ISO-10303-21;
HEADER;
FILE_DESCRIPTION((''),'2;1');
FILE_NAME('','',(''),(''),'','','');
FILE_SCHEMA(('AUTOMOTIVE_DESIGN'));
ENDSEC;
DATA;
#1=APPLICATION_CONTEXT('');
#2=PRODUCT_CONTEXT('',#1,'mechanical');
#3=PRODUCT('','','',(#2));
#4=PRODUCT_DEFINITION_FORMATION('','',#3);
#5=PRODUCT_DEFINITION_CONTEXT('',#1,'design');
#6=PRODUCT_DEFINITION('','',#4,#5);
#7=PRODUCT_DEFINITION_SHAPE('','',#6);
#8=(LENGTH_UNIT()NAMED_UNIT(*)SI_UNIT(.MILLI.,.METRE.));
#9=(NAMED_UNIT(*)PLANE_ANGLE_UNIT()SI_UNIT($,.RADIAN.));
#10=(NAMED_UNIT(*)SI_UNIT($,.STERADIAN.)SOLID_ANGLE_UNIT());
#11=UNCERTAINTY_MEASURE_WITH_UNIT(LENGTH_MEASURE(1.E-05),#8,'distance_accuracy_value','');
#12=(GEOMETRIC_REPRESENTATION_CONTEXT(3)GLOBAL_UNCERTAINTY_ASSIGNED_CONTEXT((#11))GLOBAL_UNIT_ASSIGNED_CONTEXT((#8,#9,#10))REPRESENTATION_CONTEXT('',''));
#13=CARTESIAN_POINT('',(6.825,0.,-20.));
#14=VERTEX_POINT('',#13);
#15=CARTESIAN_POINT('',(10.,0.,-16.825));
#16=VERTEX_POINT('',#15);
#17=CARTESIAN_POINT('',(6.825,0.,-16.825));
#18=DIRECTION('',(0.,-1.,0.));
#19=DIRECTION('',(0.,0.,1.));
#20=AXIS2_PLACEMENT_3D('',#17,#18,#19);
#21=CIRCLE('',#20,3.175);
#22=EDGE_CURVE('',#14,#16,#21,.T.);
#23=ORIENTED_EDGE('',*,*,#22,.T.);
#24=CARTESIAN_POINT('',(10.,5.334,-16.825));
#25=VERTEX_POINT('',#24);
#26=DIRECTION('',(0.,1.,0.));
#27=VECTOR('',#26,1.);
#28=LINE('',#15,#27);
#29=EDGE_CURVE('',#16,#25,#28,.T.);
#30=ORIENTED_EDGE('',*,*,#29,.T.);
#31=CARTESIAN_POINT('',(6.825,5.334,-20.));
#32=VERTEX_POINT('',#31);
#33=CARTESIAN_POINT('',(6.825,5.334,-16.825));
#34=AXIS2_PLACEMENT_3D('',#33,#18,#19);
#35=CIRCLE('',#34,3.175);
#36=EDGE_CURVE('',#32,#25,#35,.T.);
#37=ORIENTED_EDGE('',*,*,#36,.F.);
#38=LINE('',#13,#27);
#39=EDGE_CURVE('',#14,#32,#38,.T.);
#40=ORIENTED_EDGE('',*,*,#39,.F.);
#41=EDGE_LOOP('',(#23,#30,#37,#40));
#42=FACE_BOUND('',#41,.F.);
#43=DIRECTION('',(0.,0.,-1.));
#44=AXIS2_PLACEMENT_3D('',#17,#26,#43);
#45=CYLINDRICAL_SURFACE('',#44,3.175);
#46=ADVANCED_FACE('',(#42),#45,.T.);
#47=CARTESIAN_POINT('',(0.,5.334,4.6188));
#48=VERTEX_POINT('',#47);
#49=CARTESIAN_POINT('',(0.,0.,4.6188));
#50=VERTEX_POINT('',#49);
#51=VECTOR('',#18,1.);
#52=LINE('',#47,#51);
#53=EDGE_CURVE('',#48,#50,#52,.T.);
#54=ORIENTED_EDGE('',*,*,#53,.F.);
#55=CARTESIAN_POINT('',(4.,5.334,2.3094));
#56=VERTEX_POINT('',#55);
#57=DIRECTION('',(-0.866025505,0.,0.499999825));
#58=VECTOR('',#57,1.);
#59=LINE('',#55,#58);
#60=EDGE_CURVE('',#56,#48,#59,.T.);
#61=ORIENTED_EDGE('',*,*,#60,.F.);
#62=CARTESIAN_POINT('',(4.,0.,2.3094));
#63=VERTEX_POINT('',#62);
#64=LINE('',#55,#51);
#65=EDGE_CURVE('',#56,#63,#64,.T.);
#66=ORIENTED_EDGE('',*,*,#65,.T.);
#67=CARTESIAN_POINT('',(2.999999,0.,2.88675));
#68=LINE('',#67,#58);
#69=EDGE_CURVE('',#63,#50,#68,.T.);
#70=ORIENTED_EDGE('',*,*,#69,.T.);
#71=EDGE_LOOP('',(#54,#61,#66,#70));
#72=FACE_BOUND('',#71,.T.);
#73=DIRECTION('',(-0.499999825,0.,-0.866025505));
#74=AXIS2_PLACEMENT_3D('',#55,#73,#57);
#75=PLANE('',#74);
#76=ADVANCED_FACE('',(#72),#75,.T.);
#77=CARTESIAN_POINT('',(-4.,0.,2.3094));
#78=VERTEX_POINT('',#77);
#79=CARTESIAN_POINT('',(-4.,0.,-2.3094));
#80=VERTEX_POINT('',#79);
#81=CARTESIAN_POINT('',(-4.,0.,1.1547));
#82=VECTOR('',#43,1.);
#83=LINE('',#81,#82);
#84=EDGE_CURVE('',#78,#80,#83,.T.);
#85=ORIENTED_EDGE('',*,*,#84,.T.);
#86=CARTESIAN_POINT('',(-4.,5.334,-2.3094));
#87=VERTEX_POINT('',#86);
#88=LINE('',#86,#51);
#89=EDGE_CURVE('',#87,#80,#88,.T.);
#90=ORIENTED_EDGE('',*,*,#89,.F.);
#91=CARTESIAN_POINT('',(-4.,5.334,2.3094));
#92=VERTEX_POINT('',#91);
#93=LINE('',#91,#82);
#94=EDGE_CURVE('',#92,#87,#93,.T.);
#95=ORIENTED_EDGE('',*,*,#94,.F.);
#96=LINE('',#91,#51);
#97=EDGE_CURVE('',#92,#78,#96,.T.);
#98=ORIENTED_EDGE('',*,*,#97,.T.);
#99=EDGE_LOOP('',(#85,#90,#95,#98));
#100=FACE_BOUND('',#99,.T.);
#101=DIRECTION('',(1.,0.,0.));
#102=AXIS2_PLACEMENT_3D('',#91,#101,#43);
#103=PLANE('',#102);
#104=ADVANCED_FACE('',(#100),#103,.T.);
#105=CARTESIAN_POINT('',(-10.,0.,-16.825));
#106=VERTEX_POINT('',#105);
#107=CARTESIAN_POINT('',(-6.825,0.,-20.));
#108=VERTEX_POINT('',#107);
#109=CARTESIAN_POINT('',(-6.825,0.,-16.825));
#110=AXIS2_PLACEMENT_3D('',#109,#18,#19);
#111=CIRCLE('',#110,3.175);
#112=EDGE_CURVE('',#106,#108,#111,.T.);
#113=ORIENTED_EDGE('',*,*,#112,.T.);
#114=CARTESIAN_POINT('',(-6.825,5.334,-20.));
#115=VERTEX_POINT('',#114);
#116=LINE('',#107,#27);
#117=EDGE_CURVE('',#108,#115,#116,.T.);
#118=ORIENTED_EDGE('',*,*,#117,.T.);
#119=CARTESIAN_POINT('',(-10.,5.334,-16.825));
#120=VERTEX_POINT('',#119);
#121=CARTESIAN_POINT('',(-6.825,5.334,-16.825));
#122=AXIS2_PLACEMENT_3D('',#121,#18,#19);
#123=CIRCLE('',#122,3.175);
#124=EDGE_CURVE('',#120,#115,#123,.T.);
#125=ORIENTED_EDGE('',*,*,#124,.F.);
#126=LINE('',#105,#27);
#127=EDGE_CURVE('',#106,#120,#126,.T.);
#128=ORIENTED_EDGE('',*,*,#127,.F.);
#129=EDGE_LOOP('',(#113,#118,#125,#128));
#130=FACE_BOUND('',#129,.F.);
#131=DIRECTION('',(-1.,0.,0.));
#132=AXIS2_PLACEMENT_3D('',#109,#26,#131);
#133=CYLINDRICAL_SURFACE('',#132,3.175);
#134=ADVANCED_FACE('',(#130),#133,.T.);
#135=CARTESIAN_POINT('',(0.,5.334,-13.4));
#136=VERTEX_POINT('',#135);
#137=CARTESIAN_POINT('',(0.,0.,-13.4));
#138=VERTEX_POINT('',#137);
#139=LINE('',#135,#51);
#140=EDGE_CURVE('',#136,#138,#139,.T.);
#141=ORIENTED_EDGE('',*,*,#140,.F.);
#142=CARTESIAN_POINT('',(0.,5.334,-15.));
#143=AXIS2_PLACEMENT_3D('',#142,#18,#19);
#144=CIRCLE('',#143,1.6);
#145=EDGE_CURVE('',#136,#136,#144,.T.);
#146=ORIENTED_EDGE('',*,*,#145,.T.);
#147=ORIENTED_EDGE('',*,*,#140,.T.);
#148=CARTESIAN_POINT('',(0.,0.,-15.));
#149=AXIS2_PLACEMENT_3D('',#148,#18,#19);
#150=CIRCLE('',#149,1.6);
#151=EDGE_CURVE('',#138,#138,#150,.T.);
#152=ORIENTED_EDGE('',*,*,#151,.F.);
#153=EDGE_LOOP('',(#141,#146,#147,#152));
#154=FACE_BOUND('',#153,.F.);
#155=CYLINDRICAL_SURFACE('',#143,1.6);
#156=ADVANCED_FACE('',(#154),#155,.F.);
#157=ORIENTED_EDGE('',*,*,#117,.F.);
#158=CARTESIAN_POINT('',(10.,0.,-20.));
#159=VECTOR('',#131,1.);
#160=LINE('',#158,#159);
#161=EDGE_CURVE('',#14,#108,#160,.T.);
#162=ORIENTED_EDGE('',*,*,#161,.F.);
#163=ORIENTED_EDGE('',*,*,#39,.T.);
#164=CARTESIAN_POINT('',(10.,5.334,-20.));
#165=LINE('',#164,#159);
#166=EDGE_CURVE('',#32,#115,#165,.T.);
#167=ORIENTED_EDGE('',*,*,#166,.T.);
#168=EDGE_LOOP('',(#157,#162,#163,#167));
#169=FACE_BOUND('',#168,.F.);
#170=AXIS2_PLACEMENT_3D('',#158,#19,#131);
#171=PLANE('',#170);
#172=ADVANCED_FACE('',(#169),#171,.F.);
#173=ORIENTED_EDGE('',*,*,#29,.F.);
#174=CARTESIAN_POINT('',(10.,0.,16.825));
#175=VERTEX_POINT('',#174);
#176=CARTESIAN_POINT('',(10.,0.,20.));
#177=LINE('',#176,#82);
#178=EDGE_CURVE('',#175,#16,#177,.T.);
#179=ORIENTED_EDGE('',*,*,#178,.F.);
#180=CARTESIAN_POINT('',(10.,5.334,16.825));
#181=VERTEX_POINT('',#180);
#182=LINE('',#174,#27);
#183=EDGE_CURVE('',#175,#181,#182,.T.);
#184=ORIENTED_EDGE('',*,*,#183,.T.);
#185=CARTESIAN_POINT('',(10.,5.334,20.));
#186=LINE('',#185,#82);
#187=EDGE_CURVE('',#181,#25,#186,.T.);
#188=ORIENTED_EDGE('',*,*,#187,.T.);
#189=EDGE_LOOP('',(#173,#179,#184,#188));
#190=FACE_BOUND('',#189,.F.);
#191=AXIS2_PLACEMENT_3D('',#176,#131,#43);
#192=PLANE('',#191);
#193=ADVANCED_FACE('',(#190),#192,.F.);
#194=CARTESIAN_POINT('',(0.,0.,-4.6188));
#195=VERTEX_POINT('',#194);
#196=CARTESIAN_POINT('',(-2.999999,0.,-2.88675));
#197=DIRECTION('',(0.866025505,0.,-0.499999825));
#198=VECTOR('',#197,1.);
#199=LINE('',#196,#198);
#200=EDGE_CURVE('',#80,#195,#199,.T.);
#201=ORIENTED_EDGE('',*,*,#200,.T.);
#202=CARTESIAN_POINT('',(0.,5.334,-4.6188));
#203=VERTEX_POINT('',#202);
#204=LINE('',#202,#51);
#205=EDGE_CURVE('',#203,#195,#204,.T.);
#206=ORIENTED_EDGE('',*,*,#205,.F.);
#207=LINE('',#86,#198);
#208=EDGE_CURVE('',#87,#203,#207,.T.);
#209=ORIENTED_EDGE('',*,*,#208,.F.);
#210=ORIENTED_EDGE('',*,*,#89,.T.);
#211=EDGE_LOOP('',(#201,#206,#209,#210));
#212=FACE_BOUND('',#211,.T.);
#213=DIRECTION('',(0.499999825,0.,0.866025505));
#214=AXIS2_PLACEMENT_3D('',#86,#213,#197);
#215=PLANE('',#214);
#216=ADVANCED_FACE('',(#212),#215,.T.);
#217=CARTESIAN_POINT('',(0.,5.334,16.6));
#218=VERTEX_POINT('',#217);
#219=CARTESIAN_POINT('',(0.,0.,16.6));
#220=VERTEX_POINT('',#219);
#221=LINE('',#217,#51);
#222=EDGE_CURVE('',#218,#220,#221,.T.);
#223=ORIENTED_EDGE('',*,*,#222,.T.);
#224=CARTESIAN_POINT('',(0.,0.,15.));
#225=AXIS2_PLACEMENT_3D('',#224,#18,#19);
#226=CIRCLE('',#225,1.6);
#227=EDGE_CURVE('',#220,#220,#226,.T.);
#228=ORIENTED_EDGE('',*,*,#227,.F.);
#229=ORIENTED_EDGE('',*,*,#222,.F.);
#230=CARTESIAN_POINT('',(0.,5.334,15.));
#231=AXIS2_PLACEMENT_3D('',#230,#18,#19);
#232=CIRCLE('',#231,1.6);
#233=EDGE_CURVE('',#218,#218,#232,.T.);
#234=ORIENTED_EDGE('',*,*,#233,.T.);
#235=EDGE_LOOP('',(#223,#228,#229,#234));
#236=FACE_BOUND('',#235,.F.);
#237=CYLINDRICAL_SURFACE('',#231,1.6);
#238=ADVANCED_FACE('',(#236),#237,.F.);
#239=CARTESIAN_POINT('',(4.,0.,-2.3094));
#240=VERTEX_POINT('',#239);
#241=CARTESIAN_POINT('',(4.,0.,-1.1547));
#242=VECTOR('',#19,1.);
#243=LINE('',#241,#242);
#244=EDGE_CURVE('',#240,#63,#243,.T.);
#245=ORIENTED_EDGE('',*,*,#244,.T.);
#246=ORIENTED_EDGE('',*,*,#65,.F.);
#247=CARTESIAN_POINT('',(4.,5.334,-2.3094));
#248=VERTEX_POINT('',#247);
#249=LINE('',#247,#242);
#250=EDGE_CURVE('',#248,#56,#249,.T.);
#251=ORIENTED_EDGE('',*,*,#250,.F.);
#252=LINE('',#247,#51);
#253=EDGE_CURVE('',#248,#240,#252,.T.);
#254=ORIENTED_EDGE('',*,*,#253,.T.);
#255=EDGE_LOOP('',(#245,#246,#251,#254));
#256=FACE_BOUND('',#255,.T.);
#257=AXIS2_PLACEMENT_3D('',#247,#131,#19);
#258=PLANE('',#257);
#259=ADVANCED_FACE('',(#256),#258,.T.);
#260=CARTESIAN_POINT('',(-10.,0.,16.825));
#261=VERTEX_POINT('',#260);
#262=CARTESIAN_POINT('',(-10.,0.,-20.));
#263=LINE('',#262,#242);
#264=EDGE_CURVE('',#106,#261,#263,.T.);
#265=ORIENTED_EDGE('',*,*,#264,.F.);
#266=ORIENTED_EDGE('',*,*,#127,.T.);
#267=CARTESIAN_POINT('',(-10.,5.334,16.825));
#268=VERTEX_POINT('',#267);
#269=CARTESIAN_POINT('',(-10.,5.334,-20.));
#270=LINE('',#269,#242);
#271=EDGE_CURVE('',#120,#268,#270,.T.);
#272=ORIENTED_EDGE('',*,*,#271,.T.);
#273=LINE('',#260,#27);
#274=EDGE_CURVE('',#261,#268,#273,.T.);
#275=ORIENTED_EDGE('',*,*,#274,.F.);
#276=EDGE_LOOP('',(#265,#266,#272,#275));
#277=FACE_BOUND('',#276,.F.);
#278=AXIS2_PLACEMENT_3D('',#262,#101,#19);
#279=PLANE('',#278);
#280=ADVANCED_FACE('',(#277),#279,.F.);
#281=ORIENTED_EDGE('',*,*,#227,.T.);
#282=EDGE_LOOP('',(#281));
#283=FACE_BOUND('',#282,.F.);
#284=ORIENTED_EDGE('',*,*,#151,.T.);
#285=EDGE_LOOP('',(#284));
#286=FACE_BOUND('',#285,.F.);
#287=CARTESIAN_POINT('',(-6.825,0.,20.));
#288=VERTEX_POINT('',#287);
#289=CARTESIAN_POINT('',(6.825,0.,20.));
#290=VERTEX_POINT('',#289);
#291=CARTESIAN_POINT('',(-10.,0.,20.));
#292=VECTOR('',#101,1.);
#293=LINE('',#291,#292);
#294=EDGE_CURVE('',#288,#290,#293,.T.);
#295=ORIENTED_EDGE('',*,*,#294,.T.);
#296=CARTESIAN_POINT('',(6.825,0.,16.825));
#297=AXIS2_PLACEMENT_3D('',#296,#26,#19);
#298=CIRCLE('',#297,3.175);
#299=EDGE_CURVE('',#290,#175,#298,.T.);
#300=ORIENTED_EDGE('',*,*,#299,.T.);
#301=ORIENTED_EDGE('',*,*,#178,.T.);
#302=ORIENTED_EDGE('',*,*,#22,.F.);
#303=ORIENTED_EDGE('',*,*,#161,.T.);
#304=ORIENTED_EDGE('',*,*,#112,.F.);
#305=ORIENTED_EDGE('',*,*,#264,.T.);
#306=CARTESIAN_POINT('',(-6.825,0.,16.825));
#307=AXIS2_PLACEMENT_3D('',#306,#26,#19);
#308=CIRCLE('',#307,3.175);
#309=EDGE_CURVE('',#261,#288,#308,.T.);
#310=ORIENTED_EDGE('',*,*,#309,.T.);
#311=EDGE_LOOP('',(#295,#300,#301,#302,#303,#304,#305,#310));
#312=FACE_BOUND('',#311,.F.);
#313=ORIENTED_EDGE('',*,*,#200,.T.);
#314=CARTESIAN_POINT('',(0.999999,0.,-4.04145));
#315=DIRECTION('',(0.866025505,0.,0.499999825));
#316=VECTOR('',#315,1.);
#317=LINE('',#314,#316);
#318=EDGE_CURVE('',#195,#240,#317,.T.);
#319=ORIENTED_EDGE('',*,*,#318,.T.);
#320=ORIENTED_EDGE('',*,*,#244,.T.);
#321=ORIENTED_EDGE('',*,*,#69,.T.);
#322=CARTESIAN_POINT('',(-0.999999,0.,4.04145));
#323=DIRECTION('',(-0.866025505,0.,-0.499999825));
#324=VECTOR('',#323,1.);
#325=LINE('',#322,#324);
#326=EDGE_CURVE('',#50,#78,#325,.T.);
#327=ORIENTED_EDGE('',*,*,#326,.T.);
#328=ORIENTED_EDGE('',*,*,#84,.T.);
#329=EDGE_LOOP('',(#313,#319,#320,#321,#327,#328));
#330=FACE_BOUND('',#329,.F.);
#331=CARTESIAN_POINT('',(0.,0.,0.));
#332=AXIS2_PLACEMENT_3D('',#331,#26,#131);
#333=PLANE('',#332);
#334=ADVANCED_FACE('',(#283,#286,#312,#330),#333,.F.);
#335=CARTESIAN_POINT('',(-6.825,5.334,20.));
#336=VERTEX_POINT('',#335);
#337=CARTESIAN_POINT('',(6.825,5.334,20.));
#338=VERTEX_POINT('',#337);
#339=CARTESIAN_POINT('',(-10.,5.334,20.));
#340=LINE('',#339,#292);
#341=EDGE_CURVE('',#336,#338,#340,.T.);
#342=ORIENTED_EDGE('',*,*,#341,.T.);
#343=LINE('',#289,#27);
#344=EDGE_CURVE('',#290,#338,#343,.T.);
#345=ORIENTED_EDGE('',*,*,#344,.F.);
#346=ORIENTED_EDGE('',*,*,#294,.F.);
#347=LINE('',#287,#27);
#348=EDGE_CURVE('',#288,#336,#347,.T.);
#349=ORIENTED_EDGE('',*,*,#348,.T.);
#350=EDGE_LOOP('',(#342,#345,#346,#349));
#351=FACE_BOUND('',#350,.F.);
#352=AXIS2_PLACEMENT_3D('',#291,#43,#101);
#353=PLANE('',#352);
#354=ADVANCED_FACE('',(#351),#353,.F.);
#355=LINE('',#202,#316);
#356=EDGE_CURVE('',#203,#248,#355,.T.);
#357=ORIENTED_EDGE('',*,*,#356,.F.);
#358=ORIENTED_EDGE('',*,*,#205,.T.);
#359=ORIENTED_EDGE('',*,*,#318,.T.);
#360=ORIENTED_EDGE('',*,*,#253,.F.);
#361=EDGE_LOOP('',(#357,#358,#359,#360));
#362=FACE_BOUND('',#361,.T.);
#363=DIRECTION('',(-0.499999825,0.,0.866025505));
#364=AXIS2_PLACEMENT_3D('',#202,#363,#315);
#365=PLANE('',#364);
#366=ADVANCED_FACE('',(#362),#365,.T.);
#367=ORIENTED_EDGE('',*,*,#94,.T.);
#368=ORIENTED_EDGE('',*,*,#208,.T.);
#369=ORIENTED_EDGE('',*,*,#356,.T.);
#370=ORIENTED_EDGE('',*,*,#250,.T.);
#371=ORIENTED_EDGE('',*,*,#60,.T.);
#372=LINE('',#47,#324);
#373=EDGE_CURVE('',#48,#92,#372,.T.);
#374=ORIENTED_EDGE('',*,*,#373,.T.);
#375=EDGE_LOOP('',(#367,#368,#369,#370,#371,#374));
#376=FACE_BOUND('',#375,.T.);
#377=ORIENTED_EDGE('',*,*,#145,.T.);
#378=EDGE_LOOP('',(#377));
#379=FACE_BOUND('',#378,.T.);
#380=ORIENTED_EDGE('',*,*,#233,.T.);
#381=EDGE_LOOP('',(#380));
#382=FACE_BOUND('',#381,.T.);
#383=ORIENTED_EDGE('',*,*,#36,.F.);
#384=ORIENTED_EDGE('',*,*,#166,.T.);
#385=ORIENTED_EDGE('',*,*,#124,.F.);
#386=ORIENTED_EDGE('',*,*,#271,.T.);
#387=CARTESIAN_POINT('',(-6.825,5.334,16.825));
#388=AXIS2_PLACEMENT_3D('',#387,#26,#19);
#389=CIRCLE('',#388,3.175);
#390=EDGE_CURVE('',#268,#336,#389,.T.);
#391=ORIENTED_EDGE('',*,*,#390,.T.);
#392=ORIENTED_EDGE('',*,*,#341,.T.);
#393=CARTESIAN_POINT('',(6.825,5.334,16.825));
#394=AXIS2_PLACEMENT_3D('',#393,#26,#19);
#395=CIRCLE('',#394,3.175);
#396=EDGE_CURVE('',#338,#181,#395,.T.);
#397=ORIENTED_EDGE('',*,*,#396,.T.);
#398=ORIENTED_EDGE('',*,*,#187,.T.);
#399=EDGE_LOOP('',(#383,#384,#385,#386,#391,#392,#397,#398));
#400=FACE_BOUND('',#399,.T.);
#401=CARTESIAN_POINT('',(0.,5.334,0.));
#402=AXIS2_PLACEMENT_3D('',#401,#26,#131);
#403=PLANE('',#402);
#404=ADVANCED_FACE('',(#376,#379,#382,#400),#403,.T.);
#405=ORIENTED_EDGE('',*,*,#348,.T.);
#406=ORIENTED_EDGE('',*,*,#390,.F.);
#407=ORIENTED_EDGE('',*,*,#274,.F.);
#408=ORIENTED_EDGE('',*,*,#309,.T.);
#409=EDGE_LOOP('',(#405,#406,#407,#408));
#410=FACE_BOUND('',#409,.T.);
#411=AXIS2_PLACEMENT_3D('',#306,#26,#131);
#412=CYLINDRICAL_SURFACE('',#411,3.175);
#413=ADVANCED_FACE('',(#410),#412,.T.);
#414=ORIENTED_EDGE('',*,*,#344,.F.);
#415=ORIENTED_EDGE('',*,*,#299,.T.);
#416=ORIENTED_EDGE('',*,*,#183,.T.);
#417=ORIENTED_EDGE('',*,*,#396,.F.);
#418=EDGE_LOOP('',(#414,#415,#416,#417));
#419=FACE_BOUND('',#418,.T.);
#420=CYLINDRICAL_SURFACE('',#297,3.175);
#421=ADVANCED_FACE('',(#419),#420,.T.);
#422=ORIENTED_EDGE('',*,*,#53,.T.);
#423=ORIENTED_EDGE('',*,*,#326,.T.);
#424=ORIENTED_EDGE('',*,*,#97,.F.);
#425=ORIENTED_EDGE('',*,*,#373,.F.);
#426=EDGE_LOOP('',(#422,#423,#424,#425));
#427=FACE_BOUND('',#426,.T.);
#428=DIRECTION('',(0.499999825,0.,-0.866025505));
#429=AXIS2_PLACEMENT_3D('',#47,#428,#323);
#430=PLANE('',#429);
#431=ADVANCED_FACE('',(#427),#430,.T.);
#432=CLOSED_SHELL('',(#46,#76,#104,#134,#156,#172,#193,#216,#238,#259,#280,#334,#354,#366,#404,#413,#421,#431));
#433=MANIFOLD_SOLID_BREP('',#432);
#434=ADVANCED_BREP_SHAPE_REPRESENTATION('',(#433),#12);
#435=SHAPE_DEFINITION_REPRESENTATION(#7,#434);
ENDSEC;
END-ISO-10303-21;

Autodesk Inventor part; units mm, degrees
ref_plane "YZ Plane" through (0, 0, 0) normal (1, 0, 0) x (0, 1, 0)
ref_plane "XZ Plane" through (0, 0, 0) normal (0, 1, 0) x (-1, 0, 0)
ref_plane "XY Plane" through (0, 0, 0) normal (0, 0, 1) x (1, 0, 0)
sketch "Sketch1" plane through (0, 0, 0) normal (0, 1, 0) x (-1, 0, 0)
  line L0 (10, 20) -> (-10, 20)
  line L1 (-10, 20) -> (-10, -20)
  line L2 (-10, -20) -> (10, -20)
  line L3 (10, -20) -> (10, 20)
  point P0 (0, 0)
  point P1 (10, 0)
  point P2 (0, 20)
  dimension "d0" = 20
  dimension "d1" = 40
extrude "Extrusion1" add sketch "Sketch1" along normal blind 5.334
sketch "Sketch2" plane through (0, 5.334, 0) normal (0, 1, 0) x (1, 0, 0)
  line L0 (0, 4.6188) -> (4, 2.3094)
  line L1 (4, 2.3094) -> (4, -2.3094)
  line L2 (4, -2.3094) -> (0, -4.6188)
  line L3 (0, -4.6188) -> (-4, -2.3094)
  line L4 (-4, -2.3094) -> (-4, 2.3094)
  line L5 (-4, 2.3094) -> (0, 4.6188)
  point P0 (0, 0)
  point P1 (0, 0)
  dimension "d4" = 8
extrude "Extrusion2" cut sketch "Sketch2" against normal through all
sketch "Sketch3" plane through (0, 5.334, 0) normal (0, 1, 0) x (1, 0, 0)
  point P0 (0, 0)
  point P1 (0, -15)
  point P2 (0, 15)
  dimension "d7" = 30
  dimension "d8" = 15
hole "Hole1" at (0, 5.334, 15) at (0, 5.334, -15) direction (0, -1, 0) diameter 3.2 end through all
fillet "Fillet1" radius 3.175 4 edges at (-10, 2.667, 20) (10, 2.667, 20) (10, 2.667, -20) (-10, 2.667, -20)
equation "\"d8\" = 0.5 * d7"
properties part number "hex_plate"
